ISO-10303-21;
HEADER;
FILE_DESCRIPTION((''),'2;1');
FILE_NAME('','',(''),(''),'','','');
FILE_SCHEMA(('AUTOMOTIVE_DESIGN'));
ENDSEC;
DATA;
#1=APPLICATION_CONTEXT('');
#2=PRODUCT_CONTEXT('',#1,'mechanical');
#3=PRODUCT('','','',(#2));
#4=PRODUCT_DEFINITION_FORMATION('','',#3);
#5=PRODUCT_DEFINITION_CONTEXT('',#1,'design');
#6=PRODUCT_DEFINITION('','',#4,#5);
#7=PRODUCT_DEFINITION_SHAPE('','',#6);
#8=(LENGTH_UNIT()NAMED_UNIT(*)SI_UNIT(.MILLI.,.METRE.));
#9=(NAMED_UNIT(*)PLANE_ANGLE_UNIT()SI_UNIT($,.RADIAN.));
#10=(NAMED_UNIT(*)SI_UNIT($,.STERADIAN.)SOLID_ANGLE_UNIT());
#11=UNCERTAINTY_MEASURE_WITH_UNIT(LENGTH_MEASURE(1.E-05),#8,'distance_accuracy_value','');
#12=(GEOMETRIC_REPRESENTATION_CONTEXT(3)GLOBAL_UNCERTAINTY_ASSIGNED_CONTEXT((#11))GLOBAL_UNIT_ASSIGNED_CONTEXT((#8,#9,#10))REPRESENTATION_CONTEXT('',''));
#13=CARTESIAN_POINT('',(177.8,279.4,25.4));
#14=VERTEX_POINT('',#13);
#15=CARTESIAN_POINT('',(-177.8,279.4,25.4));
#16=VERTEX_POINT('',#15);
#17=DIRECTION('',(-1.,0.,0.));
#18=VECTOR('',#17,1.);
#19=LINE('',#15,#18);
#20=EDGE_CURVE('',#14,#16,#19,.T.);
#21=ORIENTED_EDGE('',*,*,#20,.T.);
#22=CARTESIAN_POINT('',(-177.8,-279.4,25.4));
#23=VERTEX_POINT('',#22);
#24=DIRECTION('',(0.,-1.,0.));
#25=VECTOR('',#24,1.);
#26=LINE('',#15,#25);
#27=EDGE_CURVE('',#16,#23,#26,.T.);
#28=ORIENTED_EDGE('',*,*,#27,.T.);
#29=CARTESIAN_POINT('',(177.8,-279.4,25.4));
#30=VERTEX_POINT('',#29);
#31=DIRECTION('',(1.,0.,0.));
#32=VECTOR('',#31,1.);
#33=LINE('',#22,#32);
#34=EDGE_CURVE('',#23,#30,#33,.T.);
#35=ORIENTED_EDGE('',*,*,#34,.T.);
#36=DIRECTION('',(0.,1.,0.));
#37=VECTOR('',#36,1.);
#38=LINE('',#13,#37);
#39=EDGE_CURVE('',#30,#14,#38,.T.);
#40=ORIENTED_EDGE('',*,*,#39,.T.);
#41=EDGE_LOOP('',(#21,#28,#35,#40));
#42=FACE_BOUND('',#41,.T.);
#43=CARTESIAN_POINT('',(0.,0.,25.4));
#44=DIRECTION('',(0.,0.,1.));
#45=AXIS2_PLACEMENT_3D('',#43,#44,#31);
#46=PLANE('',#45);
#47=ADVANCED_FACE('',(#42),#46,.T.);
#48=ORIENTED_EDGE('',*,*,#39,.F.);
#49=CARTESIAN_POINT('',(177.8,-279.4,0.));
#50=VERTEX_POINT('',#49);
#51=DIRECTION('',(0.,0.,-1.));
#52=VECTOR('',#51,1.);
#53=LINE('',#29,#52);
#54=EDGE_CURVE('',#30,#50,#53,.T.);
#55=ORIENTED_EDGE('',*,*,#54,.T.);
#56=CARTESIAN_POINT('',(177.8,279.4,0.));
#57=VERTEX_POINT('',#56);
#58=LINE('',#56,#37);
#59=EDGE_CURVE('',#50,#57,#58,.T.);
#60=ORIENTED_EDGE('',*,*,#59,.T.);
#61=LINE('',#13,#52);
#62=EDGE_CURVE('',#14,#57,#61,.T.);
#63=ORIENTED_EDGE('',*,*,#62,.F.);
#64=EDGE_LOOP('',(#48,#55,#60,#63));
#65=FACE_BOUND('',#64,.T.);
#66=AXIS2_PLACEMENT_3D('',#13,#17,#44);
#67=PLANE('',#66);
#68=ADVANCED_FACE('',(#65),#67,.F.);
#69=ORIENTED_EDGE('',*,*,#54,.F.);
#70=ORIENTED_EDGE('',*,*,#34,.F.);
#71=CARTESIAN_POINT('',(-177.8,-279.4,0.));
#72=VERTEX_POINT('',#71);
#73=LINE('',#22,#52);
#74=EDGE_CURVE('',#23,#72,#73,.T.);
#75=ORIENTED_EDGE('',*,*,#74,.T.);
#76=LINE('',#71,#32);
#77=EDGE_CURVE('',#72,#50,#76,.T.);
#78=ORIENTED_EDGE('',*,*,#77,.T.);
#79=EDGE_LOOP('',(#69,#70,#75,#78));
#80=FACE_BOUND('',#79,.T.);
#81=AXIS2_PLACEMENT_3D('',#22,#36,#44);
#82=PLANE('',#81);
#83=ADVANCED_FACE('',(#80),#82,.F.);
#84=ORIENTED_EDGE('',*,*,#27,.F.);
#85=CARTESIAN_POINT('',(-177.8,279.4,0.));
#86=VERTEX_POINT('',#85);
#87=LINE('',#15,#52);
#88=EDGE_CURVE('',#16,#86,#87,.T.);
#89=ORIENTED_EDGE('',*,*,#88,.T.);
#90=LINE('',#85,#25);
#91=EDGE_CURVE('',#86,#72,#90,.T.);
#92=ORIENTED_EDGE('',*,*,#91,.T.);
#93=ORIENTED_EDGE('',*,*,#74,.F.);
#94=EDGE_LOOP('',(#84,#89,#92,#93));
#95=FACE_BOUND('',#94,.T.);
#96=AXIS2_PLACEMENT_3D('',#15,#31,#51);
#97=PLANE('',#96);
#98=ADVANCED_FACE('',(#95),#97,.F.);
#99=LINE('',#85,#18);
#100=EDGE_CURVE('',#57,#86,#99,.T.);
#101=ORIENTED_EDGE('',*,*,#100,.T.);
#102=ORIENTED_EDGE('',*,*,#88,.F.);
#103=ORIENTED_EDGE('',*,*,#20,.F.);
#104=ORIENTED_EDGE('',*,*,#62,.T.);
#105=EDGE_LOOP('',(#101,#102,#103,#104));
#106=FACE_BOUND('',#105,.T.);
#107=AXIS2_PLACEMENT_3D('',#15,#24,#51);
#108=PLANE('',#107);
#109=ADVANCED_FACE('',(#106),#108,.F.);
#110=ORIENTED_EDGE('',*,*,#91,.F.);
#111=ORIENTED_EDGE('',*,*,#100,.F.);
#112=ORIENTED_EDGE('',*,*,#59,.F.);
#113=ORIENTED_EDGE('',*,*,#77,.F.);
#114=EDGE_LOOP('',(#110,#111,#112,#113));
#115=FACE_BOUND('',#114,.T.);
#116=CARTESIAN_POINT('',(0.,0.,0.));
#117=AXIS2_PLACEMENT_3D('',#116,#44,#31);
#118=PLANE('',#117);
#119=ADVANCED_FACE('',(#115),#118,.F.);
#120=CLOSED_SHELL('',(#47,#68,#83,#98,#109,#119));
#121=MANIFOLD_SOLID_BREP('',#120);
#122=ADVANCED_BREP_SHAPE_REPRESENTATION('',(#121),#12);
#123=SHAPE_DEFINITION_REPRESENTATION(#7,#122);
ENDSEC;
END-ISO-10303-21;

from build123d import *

# Parameters (mm, degrees)
SKETCH2_W           = 355.6
SKETCH2_H           = 558.8
BOSS_EXTRUDE1_DEPTH = 25.4


with BuildPart() as part:
    # Sketch2 → Boss-Extrude1 (new body)
    with BuildSketch(Plane.XY):
        Rectangle(SKETCH2_W, SKETCH2_H)
    extrude(amount=BOSS_EXTRUDE1_DEPTH)


solid = part.part
